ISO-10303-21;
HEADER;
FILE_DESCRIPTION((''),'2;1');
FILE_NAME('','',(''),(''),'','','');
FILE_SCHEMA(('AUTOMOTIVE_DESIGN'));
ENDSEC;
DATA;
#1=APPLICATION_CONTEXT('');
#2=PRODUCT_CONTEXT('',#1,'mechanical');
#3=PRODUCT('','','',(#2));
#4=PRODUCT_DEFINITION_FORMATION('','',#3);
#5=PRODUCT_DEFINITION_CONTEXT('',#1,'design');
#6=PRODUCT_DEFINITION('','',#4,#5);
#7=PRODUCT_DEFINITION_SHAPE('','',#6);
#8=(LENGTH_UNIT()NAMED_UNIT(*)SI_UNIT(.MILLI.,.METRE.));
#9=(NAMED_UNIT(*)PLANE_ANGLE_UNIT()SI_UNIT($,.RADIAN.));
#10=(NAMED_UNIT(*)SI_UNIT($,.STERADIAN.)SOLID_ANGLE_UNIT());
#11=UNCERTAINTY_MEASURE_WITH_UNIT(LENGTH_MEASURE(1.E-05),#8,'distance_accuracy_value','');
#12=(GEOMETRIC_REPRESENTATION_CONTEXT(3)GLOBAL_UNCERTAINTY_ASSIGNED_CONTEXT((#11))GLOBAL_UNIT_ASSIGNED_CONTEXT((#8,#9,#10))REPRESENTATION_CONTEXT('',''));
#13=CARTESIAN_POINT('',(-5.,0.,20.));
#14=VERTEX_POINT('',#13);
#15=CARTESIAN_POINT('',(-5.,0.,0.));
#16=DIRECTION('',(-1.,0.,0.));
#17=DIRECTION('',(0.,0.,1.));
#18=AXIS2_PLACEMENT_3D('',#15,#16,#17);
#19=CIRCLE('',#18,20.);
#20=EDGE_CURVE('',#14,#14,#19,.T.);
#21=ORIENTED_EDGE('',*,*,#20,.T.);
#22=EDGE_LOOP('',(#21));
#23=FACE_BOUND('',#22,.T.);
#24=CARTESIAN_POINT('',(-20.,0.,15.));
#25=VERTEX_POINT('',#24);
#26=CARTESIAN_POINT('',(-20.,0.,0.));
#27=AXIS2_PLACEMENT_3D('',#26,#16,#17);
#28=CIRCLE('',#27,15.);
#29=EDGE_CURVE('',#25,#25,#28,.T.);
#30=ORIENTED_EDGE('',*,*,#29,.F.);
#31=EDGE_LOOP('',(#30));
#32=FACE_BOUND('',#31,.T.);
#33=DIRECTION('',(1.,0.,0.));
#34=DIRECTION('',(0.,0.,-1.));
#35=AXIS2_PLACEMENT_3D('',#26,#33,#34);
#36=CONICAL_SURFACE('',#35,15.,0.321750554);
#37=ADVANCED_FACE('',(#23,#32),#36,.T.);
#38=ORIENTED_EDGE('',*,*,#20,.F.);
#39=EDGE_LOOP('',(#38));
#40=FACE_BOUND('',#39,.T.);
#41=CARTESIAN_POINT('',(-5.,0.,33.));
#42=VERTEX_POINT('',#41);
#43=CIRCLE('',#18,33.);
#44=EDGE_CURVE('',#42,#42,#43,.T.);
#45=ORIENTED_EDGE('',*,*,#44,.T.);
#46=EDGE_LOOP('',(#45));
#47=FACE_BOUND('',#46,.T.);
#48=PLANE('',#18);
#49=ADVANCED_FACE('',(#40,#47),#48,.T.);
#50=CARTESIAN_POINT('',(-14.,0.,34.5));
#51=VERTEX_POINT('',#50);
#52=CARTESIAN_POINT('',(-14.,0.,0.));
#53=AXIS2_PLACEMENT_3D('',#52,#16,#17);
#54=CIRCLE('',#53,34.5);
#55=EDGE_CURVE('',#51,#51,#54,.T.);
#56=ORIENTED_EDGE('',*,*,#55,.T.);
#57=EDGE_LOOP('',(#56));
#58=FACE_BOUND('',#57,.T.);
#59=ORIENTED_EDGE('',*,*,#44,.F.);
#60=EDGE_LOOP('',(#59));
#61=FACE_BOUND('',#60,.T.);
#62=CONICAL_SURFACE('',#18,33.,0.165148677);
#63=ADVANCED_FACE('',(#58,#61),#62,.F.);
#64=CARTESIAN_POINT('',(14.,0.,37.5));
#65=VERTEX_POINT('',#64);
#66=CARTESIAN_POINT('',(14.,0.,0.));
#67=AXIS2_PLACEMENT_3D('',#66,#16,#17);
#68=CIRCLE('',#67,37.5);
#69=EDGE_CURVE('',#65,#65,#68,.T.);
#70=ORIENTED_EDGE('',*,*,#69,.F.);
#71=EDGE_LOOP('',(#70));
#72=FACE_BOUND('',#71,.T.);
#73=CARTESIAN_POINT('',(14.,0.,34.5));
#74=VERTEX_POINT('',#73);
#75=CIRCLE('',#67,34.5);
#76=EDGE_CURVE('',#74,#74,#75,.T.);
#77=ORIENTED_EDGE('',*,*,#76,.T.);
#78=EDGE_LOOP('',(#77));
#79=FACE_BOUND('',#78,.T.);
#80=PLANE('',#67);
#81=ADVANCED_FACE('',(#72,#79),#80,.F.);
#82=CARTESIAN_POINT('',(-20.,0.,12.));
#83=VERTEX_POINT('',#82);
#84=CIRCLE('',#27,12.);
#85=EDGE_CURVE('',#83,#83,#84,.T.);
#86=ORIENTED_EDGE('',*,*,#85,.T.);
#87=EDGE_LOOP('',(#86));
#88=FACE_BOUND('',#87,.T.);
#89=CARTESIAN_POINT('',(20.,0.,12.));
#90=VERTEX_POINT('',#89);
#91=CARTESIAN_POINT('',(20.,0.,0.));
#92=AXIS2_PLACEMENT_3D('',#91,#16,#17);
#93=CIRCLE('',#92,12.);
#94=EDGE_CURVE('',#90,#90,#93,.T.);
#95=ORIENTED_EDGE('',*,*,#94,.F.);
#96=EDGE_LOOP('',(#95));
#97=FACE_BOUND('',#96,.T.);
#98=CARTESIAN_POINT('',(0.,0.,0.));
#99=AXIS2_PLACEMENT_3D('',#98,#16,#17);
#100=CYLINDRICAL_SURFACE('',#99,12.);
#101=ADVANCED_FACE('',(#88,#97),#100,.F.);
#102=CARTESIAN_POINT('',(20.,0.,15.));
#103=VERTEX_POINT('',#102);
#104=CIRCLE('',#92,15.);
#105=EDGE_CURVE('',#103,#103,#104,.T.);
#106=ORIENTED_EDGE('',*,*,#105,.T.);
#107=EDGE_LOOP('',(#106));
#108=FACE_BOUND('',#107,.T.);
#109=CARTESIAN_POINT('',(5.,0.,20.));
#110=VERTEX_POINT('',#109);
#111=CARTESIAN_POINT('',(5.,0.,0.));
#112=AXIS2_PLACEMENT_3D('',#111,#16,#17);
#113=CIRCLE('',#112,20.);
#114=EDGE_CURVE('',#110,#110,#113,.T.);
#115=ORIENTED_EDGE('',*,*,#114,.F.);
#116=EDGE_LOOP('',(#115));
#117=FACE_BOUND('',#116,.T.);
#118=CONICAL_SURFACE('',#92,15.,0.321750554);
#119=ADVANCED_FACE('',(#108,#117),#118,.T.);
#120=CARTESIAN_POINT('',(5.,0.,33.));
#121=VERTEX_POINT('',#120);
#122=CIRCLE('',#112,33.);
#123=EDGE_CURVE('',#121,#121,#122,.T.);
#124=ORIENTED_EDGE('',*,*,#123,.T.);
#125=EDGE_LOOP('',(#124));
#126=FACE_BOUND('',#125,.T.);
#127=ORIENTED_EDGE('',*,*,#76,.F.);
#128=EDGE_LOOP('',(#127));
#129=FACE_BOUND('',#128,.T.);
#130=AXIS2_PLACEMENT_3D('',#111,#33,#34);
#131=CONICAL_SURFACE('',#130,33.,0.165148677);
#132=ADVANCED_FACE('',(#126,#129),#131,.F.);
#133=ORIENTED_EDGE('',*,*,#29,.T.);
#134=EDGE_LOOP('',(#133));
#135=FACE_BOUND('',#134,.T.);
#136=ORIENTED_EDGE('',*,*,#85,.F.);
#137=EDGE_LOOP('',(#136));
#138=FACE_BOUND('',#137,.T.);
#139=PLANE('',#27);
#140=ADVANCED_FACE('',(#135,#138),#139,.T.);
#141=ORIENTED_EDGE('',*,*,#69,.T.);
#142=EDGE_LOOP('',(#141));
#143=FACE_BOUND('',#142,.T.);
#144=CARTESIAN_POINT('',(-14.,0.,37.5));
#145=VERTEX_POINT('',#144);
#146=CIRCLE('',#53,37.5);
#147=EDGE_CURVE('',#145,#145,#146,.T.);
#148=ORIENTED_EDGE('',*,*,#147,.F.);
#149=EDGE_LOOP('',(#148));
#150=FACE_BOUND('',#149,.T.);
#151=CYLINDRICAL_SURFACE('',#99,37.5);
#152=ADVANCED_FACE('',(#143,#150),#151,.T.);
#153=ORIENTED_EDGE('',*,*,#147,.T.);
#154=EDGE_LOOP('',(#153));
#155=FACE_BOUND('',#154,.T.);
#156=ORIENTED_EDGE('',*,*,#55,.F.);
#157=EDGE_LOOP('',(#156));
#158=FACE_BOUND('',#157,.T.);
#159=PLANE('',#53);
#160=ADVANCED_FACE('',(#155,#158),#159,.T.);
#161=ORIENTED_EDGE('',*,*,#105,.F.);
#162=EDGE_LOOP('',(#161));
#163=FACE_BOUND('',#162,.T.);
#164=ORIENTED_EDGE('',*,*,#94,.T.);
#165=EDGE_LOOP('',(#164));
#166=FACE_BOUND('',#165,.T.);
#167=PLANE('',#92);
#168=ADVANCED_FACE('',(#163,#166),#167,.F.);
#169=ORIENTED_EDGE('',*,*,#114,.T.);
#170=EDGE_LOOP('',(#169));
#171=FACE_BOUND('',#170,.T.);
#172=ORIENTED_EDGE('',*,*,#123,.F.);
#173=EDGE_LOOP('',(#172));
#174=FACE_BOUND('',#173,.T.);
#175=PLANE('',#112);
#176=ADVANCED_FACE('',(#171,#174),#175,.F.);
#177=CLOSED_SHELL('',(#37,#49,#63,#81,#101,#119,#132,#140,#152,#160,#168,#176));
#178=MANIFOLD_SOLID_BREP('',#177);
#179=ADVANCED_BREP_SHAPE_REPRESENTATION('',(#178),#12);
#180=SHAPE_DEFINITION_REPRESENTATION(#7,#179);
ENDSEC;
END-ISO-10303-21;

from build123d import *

# Parameters (mm, degrees)
SKETCH1_W   = 40
SKETCH1_H   = 3
SKETCH1_W_2 = 10
SKETCH1_H_2 = 13
SKETCH1_W_3 = 28


with BuildPart() as part:
    # Sketch1 → Revolve1 (revolve)
    with BuildSketch(Plane.XY, mode=Mode.PRIVATE) as revolve1_sk:
        with Locations((0, -13.5)):
            Rectangle(SKETCH1_W, SKETCH1_H)
        Polygon((20, -15), (5, -20), (-5, -20), (-20, -15), align=None)
        with Locations((0, -26.5)):
            Rectangle(SKETCH1_W_2, SKETCH1_H_2)
        Polygon((5, -33), (14, -34.5), (-14, -34.5), (-5, -33), align=None)
        with Locations((0, -36)):
            Rectangle(SKETCH1_W_3, SKETCH1_H)
    revolve(revolve1_sk.sketch.rotate(Axis((0, 0, 0), (1, 0, 0)), 270), axis=Axis((0, 0, 0), (1, 0, 0)))


solid = part.part
